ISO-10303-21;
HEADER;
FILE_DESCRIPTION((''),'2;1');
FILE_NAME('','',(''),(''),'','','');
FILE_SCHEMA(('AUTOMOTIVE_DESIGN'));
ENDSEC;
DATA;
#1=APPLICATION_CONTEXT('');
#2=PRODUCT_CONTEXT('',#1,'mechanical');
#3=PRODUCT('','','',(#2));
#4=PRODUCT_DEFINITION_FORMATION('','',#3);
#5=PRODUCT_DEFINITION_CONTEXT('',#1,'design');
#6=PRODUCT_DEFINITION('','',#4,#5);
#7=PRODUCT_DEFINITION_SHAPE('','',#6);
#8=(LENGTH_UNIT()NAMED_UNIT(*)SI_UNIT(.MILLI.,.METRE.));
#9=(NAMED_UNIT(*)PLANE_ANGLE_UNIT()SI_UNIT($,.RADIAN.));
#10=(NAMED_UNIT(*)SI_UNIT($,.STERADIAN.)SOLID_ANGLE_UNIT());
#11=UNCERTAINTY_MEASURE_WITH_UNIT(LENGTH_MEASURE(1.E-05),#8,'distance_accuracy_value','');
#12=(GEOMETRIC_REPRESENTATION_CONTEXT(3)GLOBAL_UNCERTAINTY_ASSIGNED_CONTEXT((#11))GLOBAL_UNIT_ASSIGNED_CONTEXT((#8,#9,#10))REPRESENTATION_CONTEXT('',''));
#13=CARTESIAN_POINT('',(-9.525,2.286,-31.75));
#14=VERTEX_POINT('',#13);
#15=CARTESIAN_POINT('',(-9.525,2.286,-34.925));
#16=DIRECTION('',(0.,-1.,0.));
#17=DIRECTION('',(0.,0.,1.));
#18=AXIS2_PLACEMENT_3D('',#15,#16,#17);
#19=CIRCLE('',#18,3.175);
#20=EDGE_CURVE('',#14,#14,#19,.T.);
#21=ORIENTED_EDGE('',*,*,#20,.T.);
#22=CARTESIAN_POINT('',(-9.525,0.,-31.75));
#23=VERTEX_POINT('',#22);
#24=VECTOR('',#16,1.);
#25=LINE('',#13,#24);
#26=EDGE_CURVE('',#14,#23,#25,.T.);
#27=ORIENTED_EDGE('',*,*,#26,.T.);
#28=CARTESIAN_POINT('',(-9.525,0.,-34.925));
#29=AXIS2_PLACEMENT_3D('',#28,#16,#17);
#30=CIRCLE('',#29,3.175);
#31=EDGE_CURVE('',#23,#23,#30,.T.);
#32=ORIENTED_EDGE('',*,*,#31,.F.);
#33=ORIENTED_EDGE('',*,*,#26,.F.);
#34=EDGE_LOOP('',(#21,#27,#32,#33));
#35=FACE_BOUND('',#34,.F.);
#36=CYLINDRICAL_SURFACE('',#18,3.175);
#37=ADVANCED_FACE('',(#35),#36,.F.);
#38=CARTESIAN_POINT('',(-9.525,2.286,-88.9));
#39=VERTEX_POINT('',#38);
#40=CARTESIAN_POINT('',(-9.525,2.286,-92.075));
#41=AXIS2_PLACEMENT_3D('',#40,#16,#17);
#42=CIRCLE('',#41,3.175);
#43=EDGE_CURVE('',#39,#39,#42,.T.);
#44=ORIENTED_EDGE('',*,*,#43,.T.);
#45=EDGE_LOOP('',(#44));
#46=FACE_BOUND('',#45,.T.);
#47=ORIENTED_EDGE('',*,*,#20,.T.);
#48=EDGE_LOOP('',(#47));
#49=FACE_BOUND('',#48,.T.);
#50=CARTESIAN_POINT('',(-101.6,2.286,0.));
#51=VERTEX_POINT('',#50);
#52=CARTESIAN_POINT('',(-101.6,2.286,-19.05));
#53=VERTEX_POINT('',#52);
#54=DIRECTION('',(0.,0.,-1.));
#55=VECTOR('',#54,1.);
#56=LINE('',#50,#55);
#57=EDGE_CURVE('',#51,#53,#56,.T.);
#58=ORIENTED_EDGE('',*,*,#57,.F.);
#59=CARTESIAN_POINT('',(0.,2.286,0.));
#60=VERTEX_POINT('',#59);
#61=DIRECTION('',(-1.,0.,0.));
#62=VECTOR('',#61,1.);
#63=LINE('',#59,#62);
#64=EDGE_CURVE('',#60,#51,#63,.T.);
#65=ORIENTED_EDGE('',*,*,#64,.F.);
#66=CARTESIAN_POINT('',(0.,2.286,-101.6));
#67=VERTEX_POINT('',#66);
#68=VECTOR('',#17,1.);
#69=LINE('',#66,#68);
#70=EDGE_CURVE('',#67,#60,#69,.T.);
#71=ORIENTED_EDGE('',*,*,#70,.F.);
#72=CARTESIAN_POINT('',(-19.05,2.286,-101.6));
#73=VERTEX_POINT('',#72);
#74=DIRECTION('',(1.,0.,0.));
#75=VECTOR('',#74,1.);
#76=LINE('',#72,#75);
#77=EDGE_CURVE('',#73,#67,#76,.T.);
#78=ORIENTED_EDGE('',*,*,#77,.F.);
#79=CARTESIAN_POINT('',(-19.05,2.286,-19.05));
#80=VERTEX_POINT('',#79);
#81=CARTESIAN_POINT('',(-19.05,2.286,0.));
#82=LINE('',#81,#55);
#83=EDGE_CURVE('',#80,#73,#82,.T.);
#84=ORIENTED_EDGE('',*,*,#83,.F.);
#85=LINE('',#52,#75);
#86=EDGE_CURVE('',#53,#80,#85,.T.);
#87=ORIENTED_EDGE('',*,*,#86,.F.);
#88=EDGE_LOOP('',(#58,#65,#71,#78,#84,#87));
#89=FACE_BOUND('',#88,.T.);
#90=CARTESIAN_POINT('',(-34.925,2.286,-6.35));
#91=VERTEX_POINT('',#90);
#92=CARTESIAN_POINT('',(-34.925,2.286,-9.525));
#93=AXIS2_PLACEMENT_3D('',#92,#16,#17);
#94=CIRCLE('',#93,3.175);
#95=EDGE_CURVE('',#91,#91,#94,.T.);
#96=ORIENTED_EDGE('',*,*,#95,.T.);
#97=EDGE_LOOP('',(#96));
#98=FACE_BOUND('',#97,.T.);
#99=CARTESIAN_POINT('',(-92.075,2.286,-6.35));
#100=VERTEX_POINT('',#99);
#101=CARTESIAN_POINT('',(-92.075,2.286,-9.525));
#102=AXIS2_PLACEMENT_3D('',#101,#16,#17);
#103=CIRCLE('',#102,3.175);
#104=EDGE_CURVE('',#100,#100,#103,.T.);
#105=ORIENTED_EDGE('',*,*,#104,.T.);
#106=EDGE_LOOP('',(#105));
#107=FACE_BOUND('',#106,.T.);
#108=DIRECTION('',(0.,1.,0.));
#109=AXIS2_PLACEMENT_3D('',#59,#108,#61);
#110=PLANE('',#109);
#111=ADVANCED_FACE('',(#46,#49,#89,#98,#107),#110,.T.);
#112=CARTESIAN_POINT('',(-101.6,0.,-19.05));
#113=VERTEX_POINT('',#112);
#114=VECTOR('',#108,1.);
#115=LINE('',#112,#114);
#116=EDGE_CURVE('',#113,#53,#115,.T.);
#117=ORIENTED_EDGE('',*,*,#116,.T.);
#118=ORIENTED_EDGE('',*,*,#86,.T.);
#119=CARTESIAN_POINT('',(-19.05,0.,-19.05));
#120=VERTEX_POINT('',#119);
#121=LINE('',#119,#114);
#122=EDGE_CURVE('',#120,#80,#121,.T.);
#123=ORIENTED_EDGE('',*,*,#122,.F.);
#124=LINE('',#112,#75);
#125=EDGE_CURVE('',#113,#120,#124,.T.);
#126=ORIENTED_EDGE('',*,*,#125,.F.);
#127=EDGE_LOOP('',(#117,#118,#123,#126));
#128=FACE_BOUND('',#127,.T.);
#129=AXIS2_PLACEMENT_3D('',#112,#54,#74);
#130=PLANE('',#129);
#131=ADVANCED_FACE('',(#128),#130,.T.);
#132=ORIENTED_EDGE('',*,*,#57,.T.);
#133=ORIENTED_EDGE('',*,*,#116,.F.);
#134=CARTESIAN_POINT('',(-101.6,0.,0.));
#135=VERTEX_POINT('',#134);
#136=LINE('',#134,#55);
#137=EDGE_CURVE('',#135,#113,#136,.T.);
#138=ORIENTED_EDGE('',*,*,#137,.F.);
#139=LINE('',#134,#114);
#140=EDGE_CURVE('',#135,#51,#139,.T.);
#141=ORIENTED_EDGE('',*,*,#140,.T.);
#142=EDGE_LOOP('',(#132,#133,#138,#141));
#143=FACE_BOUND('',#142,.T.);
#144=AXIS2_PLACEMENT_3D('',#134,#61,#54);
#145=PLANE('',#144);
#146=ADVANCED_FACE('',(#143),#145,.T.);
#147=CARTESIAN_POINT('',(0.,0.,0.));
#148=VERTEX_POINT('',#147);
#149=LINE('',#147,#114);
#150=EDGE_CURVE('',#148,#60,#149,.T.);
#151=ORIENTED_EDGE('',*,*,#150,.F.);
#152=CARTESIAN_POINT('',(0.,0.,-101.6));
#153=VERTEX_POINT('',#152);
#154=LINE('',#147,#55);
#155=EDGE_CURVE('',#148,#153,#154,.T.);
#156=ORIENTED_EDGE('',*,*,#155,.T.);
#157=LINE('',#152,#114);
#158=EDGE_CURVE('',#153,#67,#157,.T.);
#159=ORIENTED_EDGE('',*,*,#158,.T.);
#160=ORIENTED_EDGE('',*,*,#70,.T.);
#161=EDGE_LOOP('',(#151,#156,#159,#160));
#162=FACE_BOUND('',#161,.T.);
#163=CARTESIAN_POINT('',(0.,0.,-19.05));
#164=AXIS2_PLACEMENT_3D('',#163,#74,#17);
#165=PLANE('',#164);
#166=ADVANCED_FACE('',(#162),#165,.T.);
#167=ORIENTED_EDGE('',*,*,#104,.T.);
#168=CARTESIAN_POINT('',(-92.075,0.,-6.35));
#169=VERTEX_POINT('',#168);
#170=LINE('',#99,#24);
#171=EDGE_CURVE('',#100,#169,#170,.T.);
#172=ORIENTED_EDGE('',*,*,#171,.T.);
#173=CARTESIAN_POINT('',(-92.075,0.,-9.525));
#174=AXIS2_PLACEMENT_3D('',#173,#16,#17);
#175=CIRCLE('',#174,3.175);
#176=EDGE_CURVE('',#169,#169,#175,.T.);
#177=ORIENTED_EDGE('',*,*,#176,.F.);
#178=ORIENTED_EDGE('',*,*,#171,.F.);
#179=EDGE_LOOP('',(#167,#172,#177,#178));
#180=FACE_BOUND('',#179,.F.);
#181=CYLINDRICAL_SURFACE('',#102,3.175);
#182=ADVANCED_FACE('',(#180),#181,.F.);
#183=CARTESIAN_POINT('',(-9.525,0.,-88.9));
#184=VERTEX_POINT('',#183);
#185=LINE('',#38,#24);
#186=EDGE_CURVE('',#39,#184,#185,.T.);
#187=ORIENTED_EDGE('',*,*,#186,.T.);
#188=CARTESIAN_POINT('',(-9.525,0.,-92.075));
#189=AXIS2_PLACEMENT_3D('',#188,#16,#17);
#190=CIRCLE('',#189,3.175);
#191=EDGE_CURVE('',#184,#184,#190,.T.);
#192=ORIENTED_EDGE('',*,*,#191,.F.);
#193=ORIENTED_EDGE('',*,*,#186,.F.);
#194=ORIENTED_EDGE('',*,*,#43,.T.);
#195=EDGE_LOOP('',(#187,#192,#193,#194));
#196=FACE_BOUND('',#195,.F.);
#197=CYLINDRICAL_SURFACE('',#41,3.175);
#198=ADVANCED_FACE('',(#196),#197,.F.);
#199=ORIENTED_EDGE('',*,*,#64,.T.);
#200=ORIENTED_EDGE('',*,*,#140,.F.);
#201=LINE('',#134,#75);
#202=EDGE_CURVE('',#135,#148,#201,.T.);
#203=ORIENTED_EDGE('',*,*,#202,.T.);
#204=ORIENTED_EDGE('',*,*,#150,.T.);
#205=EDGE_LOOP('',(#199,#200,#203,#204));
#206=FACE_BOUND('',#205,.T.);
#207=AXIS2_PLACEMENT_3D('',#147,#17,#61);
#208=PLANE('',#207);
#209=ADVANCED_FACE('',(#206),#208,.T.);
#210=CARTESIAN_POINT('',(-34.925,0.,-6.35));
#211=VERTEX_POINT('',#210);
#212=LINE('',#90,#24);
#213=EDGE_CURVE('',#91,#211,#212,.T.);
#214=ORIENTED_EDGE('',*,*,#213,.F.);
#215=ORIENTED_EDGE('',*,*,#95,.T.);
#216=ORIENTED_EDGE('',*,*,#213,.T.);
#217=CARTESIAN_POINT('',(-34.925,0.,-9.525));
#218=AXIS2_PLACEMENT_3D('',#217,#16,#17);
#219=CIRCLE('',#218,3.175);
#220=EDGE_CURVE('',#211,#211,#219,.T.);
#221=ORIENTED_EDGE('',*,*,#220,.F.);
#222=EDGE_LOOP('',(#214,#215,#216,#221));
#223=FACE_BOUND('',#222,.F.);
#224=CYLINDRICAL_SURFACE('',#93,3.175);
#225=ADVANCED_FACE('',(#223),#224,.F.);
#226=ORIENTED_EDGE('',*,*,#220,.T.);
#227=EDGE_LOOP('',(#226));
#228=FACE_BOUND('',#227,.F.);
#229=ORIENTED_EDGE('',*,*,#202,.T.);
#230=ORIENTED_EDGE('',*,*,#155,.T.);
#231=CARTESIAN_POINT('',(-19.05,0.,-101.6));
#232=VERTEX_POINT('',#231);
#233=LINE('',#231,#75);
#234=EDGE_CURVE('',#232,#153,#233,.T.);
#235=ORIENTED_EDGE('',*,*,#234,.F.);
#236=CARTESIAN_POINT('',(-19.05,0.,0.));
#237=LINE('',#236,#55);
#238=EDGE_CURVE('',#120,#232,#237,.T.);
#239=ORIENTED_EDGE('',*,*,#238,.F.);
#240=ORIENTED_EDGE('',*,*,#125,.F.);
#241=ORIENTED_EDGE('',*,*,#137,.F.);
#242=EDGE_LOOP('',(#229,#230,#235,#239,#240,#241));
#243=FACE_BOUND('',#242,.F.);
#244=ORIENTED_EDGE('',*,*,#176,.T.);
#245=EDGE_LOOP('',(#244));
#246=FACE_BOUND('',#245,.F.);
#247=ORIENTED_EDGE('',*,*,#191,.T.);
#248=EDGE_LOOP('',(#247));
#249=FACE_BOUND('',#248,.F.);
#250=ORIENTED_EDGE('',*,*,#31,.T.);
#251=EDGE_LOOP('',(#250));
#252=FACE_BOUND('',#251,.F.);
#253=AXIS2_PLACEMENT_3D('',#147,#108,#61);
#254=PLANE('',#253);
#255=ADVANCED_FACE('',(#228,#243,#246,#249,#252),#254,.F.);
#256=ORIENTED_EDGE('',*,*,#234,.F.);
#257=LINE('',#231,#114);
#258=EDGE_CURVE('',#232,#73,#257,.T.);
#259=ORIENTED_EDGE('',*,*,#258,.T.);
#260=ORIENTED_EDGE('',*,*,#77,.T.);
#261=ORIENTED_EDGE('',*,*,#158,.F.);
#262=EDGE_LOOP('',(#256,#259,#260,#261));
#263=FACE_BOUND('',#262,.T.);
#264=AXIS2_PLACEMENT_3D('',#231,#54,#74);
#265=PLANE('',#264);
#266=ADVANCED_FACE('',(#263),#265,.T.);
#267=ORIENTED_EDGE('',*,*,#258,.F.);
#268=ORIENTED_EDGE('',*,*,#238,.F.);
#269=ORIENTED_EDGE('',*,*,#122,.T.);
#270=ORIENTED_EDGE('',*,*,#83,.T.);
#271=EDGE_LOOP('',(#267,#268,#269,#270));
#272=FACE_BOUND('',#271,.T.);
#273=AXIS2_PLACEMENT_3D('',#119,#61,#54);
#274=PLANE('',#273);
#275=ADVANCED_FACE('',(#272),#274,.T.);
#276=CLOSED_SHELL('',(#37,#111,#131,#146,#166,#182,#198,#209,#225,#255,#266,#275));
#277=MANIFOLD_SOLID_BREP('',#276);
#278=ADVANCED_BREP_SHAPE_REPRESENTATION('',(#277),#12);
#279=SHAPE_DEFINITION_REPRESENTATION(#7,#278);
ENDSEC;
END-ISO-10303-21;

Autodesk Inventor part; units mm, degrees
ref_plane "YZ Plane" through (0, 0, 0) normal (1, 0, 0) x (0, 1, 0)
ref_plane "XZ Plane" through (0, 0, 0) normal (0, 1, 0) x (-1, 0, 0)
ref_plane "XY Plane" through (0, 0, 0) normal (0, 0, 1) x (1, 0, 0)
sketch "Sketch1" plane through (0, 0, 0) normal (0, 1, 0) x (-1, 0, 0)
  line L0 (0, 0) -> (101.6, 0)
  line L1 (101.6, 0) -> (101.6, -19.05)
  line L2 (101.6, -19.05) -> (0, -19.05)
  line L3 (0, -19.05) -> (0, 0)
  line L4 (0, 0) -> (19.05, 0)
  line L5 (19.05, 0) -> (19.05, -101.6)
  line L6 (19.05, -101.6) -> (0, -101.6)
  line L7 (0, -101.6) -> (0, 0)
  dimension "d0" = 101.6
  dimension "d1" = 19.05
  dimension "d2" = 19.05
  dimension "d3" = 101.6
extrude "Extrusion1" add sketch "Sketch1" along normal blind 2.286
sketch "Sketch2" plane through (0, 2.286, 0) normal (0, 1, 0) x (1, 0, 0)
  line L0 (0, 0) -> (0, 101.6) projected
  line L1 (-101.6, 0) -> (0, 0) projected
  point P0 (-34.925, 9.525)
  point P1 (-92.075, 9.525)
  point P2 (-9.525, 34.925)
  point P3 (-9.525, 92.075)
  dimension "d8" = 9.525
  dimension "d11" = 9.525
  dimension "d13" = 9.525
  dimension "d14" = 9.525
  dimension "d23" = 34.925
  dimension "d24" = 92.075
  dimension "d25" = 34.925
  dimension "d26" = 92.075
hole "Hole1" at (-34.925, 2.286, -9.525) at (-92.075, 2.286, -9.525) at (-9.525, 2.286, -34.925) at (-9.525, 2.286, -92.075) direction (0, -1, 0) diameter 6.35 end through all
properties part number "wood gusset" material "Steel, Alloy"
